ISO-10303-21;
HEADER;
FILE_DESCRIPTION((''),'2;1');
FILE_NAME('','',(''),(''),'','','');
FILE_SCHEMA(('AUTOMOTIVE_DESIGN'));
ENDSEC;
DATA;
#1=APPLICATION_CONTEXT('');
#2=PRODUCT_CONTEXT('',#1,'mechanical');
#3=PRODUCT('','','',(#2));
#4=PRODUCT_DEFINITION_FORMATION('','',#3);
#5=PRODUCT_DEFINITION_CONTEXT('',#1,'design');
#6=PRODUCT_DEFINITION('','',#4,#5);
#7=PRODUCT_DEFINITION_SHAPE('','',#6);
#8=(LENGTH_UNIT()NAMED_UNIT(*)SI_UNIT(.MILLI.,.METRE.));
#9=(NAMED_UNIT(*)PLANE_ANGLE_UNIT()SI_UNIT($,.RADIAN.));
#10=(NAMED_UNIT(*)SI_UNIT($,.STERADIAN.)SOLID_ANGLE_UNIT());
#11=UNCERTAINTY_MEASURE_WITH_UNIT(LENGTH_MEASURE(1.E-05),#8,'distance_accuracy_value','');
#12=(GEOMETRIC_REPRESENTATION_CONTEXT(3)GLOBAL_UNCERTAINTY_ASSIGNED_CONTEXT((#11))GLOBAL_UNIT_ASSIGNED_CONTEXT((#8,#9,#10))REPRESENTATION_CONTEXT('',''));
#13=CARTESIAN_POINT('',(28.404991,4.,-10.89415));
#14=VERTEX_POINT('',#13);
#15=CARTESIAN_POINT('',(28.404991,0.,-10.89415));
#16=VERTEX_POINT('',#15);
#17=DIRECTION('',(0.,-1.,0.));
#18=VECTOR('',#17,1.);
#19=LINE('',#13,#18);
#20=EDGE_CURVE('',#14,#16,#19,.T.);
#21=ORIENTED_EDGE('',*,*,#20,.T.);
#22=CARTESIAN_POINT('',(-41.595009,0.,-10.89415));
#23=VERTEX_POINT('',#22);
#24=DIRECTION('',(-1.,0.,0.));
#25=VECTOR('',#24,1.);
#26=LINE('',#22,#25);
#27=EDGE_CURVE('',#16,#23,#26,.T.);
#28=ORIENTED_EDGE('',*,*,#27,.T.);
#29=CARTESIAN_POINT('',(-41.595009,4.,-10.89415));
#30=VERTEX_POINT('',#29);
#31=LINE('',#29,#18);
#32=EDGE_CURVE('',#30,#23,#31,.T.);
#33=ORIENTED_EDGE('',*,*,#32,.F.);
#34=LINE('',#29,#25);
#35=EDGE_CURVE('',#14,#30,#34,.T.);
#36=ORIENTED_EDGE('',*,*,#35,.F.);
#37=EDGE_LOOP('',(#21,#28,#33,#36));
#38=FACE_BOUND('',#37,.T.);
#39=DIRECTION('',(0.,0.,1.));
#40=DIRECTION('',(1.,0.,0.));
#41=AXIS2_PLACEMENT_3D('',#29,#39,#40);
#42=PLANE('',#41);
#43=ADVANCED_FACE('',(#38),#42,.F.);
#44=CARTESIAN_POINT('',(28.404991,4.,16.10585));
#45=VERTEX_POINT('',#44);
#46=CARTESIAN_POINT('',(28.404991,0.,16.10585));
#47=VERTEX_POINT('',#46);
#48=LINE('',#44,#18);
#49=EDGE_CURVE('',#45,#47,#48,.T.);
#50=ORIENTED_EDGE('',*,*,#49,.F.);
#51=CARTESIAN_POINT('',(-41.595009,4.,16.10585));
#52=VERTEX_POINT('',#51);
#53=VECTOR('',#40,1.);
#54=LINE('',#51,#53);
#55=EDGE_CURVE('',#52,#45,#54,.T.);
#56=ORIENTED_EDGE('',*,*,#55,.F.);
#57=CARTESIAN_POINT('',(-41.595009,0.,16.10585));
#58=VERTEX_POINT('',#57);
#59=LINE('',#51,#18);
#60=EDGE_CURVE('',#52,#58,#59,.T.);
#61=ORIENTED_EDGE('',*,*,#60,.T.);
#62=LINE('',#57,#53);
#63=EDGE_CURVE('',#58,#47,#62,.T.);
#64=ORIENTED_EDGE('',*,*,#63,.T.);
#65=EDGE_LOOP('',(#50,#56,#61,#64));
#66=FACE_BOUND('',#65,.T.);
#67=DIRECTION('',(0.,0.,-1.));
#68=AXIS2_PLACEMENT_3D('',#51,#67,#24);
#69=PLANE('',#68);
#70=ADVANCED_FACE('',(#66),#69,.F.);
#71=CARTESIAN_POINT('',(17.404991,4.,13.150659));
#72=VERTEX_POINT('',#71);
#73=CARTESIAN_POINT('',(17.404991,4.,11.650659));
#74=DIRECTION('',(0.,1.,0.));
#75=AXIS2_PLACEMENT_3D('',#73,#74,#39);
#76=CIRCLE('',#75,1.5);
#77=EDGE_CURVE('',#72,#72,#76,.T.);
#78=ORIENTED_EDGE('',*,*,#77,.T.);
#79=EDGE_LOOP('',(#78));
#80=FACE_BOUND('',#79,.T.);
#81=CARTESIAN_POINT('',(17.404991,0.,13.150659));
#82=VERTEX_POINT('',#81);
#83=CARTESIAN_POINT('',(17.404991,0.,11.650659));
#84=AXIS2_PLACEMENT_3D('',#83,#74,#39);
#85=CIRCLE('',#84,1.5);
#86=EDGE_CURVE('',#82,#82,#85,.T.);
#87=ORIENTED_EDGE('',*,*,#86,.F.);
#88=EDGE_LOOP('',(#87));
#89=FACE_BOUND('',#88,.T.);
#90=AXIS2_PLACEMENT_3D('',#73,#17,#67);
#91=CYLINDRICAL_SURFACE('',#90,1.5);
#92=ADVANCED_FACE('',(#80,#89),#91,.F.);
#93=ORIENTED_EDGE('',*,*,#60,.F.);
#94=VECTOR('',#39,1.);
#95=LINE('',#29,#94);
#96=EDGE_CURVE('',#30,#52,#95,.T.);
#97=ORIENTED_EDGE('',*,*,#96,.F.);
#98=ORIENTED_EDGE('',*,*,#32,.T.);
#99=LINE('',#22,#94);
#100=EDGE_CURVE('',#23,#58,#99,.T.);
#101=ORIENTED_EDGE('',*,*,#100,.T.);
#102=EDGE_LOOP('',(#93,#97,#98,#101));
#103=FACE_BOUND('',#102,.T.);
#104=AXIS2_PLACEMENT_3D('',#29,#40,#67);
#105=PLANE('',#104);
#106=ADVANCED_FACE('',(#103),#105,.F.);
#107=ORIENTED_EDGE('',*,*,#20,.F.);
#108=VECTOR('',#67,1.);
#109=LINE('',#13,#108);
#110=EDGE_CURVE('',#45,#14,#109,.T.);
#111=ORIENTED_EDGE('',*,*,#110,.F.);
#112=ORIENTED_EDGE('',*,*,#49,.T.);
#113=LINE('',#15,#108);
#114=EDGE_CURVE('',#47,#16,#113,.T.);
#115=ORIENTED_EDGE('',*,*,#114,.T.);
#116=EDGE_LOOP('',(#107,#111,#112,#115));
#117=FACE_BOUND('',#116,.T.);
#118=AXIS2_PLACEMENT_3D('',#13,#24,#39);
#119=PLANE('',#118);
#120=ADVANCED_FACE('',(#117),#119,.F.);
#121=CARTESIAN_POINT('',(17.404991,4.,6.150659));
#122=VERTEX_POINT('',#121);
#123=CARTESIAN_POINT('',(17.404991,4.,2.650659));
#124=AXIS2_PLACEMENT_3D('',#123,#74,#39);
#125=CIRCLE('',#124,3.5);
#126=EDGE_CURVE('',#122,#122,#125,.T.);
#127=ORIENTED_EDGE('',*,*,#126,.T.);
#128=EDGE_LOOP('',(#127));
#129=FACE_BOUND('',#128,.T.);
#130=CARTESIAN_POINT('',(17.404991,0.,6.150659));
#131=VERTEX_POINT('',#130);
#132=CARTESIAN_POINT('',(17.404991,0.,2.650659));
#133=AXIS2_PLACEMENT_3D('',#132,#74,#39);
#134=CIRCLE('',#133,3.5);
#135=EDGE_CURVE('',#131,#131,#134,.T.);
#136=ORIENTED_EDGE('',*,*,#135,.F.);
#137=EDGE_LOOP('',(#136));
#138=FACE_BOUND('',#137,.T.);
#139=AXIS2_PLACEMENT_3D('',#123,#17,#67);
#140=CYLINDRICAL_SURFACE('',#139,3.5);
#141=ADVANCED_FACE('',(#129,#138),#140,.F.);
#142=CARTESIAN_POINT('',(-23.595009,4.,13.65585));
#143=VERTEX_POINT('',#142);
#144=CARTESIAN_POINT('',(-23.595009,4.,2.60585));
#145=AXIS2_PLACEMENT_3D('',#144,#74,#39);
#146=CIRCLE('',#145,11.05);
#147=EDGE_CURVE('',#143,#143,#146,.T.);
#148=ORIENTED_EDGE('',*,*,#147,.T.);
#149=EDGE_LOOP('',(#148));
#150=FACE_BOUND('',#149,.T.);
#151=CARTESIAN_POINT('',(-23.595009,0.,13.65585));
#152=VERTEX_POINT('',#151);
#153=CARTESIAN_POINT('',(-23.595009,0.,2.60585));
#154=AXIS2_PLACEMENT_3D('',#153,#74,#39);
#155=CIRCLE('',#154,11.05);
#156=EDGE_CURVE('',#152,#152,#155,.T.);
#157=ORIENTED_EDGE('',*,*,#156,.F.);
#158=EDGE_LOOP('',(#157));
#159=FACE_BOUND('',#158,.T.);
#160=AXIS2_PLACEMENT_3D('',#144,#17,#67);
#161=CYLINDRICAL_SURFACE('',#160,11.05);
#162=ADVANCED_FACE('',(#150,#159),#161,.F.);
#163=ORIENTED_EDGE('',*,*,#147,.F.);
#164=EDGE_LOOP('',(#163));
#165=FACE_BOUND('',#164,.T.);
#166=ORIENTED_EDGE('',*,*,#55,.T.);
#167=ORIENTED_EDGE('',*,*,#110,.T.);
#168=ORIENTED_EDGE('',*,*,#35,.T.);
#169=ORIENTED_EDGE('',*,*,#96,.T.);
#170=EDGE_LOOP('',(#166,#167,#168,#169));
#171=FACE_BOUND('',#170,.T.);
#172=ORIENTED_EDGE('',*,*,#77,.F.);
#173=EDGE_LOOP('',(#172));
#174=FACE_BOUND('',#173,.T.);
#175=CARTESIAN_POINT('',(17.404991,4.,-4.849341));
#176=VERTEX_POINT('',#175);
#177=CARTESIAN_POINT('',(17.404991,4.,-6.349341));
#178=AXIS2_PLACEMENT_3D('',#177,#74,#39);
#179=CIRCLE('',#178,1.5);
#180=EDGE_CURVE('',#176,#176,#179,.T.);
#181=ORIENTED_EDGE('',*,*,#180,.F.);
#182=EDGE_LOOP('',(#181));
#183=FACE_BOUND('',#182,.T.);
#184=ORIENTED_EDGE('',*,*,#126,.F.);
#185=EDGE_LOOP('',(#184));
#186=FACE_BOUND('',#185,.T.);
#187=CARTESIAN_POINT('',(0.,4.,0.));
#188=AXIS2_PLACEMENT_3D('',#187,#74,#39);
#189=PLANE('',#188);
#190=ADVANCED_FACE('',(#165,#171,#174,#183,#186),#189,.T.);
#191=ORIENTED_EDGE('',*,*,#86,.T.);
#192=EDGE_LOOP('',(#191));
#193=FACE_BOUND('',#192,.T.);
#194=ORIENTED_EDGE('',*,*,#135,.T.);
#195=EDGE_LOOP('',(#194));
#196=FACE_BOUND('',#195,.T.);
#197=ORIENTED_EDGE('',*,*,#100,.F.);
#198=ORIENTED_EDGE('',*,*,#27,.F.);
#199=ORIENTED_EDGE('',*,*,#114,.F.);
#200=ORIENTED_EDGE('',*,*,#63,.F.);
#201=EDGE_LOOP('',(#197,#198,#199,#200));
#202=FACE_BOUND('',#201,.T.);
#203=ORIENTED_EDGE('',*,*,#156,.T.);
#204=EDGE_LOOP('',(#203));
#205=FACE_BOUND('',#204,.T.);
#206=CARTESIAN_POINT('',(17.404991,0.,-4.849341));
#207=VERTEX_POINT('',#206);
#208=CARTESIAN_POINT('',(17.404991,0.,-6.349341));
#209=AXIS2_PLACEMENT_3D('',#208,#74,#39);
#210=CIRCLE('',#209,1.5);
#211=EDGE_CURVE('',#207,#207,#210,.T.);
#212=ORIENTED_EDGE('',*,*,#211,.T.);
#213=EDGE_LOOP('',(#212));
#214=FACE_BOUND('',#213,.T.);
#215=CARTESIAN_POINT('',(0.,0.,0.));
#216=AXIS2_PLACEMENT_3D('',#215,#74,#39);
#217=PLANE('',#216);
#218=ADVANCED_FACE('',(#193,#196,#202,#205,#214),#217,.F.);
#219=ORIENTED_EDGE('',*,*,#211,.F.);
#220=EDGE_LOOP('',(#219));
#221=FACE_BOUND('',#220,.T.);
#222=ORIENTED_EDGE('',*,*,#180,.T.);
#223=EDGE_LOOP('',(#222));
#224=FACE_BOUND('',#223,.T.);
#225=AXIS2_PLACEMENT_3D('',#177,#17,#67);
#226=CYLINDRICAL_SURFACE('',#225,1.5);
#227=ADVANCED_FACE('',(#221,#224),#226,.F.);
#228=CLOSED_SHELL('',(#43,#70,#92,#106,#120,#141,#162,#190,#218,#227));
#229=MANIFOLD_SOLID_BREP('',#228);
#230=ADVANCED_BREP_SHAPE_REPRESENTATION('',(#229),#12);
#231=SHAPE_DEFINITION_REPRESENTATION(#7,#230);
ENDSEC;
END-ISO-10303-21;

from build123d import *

# Parameters (mm, degrees)
SKETCH1_W           = 70
SKETCH1_H           = 27
SKETCH1_R           = 3.5
SKETCH1_R_2         = 1.5
SKETCH1_R_3         = 11.05
BOSS_EXTRUDE1_DEPTH = 4


with BuildPart() as part:
    # Sketch1 → Boss-Extrude1 (new body)
    with BuildSketch(Plane(origin=(0, 0, 0), x_dir=(1, 0, 0), z_dir=(0, 1, 0))):
        with Locations((-6.595008658, -2.605849582)):
            Rectangle(SKETCH1_W, SKETCH1_H)
        with Locations(Location((17.404991342, -2.650659049, 0), (0, 0, 270))):
            Circle(SKETCH1_R, mode=Mode.SUBTRACT)
        with Locations(Location((17.404991342, 6.349340951, 0), (0, 0, 270))):
            Circle(SKETCH1_R_2, mode=Mode.SUBTRACT)
        with Locations(Location((17.404991342, -11.650659049, 0), (0, 0, 270))):
            Circle(SKETCH1_R_2, mode=Mode.SUBTRACT)
        with Locations(Location((-23.595008658, -2.605849582, 0), (0, 0, 270))):
            Circle(SKETCH1_R_3, mode=Mode.SUBTRACT)
    extrude(amount=BOSS_EXTRUDE1_DEPTH)


solid = part.part
